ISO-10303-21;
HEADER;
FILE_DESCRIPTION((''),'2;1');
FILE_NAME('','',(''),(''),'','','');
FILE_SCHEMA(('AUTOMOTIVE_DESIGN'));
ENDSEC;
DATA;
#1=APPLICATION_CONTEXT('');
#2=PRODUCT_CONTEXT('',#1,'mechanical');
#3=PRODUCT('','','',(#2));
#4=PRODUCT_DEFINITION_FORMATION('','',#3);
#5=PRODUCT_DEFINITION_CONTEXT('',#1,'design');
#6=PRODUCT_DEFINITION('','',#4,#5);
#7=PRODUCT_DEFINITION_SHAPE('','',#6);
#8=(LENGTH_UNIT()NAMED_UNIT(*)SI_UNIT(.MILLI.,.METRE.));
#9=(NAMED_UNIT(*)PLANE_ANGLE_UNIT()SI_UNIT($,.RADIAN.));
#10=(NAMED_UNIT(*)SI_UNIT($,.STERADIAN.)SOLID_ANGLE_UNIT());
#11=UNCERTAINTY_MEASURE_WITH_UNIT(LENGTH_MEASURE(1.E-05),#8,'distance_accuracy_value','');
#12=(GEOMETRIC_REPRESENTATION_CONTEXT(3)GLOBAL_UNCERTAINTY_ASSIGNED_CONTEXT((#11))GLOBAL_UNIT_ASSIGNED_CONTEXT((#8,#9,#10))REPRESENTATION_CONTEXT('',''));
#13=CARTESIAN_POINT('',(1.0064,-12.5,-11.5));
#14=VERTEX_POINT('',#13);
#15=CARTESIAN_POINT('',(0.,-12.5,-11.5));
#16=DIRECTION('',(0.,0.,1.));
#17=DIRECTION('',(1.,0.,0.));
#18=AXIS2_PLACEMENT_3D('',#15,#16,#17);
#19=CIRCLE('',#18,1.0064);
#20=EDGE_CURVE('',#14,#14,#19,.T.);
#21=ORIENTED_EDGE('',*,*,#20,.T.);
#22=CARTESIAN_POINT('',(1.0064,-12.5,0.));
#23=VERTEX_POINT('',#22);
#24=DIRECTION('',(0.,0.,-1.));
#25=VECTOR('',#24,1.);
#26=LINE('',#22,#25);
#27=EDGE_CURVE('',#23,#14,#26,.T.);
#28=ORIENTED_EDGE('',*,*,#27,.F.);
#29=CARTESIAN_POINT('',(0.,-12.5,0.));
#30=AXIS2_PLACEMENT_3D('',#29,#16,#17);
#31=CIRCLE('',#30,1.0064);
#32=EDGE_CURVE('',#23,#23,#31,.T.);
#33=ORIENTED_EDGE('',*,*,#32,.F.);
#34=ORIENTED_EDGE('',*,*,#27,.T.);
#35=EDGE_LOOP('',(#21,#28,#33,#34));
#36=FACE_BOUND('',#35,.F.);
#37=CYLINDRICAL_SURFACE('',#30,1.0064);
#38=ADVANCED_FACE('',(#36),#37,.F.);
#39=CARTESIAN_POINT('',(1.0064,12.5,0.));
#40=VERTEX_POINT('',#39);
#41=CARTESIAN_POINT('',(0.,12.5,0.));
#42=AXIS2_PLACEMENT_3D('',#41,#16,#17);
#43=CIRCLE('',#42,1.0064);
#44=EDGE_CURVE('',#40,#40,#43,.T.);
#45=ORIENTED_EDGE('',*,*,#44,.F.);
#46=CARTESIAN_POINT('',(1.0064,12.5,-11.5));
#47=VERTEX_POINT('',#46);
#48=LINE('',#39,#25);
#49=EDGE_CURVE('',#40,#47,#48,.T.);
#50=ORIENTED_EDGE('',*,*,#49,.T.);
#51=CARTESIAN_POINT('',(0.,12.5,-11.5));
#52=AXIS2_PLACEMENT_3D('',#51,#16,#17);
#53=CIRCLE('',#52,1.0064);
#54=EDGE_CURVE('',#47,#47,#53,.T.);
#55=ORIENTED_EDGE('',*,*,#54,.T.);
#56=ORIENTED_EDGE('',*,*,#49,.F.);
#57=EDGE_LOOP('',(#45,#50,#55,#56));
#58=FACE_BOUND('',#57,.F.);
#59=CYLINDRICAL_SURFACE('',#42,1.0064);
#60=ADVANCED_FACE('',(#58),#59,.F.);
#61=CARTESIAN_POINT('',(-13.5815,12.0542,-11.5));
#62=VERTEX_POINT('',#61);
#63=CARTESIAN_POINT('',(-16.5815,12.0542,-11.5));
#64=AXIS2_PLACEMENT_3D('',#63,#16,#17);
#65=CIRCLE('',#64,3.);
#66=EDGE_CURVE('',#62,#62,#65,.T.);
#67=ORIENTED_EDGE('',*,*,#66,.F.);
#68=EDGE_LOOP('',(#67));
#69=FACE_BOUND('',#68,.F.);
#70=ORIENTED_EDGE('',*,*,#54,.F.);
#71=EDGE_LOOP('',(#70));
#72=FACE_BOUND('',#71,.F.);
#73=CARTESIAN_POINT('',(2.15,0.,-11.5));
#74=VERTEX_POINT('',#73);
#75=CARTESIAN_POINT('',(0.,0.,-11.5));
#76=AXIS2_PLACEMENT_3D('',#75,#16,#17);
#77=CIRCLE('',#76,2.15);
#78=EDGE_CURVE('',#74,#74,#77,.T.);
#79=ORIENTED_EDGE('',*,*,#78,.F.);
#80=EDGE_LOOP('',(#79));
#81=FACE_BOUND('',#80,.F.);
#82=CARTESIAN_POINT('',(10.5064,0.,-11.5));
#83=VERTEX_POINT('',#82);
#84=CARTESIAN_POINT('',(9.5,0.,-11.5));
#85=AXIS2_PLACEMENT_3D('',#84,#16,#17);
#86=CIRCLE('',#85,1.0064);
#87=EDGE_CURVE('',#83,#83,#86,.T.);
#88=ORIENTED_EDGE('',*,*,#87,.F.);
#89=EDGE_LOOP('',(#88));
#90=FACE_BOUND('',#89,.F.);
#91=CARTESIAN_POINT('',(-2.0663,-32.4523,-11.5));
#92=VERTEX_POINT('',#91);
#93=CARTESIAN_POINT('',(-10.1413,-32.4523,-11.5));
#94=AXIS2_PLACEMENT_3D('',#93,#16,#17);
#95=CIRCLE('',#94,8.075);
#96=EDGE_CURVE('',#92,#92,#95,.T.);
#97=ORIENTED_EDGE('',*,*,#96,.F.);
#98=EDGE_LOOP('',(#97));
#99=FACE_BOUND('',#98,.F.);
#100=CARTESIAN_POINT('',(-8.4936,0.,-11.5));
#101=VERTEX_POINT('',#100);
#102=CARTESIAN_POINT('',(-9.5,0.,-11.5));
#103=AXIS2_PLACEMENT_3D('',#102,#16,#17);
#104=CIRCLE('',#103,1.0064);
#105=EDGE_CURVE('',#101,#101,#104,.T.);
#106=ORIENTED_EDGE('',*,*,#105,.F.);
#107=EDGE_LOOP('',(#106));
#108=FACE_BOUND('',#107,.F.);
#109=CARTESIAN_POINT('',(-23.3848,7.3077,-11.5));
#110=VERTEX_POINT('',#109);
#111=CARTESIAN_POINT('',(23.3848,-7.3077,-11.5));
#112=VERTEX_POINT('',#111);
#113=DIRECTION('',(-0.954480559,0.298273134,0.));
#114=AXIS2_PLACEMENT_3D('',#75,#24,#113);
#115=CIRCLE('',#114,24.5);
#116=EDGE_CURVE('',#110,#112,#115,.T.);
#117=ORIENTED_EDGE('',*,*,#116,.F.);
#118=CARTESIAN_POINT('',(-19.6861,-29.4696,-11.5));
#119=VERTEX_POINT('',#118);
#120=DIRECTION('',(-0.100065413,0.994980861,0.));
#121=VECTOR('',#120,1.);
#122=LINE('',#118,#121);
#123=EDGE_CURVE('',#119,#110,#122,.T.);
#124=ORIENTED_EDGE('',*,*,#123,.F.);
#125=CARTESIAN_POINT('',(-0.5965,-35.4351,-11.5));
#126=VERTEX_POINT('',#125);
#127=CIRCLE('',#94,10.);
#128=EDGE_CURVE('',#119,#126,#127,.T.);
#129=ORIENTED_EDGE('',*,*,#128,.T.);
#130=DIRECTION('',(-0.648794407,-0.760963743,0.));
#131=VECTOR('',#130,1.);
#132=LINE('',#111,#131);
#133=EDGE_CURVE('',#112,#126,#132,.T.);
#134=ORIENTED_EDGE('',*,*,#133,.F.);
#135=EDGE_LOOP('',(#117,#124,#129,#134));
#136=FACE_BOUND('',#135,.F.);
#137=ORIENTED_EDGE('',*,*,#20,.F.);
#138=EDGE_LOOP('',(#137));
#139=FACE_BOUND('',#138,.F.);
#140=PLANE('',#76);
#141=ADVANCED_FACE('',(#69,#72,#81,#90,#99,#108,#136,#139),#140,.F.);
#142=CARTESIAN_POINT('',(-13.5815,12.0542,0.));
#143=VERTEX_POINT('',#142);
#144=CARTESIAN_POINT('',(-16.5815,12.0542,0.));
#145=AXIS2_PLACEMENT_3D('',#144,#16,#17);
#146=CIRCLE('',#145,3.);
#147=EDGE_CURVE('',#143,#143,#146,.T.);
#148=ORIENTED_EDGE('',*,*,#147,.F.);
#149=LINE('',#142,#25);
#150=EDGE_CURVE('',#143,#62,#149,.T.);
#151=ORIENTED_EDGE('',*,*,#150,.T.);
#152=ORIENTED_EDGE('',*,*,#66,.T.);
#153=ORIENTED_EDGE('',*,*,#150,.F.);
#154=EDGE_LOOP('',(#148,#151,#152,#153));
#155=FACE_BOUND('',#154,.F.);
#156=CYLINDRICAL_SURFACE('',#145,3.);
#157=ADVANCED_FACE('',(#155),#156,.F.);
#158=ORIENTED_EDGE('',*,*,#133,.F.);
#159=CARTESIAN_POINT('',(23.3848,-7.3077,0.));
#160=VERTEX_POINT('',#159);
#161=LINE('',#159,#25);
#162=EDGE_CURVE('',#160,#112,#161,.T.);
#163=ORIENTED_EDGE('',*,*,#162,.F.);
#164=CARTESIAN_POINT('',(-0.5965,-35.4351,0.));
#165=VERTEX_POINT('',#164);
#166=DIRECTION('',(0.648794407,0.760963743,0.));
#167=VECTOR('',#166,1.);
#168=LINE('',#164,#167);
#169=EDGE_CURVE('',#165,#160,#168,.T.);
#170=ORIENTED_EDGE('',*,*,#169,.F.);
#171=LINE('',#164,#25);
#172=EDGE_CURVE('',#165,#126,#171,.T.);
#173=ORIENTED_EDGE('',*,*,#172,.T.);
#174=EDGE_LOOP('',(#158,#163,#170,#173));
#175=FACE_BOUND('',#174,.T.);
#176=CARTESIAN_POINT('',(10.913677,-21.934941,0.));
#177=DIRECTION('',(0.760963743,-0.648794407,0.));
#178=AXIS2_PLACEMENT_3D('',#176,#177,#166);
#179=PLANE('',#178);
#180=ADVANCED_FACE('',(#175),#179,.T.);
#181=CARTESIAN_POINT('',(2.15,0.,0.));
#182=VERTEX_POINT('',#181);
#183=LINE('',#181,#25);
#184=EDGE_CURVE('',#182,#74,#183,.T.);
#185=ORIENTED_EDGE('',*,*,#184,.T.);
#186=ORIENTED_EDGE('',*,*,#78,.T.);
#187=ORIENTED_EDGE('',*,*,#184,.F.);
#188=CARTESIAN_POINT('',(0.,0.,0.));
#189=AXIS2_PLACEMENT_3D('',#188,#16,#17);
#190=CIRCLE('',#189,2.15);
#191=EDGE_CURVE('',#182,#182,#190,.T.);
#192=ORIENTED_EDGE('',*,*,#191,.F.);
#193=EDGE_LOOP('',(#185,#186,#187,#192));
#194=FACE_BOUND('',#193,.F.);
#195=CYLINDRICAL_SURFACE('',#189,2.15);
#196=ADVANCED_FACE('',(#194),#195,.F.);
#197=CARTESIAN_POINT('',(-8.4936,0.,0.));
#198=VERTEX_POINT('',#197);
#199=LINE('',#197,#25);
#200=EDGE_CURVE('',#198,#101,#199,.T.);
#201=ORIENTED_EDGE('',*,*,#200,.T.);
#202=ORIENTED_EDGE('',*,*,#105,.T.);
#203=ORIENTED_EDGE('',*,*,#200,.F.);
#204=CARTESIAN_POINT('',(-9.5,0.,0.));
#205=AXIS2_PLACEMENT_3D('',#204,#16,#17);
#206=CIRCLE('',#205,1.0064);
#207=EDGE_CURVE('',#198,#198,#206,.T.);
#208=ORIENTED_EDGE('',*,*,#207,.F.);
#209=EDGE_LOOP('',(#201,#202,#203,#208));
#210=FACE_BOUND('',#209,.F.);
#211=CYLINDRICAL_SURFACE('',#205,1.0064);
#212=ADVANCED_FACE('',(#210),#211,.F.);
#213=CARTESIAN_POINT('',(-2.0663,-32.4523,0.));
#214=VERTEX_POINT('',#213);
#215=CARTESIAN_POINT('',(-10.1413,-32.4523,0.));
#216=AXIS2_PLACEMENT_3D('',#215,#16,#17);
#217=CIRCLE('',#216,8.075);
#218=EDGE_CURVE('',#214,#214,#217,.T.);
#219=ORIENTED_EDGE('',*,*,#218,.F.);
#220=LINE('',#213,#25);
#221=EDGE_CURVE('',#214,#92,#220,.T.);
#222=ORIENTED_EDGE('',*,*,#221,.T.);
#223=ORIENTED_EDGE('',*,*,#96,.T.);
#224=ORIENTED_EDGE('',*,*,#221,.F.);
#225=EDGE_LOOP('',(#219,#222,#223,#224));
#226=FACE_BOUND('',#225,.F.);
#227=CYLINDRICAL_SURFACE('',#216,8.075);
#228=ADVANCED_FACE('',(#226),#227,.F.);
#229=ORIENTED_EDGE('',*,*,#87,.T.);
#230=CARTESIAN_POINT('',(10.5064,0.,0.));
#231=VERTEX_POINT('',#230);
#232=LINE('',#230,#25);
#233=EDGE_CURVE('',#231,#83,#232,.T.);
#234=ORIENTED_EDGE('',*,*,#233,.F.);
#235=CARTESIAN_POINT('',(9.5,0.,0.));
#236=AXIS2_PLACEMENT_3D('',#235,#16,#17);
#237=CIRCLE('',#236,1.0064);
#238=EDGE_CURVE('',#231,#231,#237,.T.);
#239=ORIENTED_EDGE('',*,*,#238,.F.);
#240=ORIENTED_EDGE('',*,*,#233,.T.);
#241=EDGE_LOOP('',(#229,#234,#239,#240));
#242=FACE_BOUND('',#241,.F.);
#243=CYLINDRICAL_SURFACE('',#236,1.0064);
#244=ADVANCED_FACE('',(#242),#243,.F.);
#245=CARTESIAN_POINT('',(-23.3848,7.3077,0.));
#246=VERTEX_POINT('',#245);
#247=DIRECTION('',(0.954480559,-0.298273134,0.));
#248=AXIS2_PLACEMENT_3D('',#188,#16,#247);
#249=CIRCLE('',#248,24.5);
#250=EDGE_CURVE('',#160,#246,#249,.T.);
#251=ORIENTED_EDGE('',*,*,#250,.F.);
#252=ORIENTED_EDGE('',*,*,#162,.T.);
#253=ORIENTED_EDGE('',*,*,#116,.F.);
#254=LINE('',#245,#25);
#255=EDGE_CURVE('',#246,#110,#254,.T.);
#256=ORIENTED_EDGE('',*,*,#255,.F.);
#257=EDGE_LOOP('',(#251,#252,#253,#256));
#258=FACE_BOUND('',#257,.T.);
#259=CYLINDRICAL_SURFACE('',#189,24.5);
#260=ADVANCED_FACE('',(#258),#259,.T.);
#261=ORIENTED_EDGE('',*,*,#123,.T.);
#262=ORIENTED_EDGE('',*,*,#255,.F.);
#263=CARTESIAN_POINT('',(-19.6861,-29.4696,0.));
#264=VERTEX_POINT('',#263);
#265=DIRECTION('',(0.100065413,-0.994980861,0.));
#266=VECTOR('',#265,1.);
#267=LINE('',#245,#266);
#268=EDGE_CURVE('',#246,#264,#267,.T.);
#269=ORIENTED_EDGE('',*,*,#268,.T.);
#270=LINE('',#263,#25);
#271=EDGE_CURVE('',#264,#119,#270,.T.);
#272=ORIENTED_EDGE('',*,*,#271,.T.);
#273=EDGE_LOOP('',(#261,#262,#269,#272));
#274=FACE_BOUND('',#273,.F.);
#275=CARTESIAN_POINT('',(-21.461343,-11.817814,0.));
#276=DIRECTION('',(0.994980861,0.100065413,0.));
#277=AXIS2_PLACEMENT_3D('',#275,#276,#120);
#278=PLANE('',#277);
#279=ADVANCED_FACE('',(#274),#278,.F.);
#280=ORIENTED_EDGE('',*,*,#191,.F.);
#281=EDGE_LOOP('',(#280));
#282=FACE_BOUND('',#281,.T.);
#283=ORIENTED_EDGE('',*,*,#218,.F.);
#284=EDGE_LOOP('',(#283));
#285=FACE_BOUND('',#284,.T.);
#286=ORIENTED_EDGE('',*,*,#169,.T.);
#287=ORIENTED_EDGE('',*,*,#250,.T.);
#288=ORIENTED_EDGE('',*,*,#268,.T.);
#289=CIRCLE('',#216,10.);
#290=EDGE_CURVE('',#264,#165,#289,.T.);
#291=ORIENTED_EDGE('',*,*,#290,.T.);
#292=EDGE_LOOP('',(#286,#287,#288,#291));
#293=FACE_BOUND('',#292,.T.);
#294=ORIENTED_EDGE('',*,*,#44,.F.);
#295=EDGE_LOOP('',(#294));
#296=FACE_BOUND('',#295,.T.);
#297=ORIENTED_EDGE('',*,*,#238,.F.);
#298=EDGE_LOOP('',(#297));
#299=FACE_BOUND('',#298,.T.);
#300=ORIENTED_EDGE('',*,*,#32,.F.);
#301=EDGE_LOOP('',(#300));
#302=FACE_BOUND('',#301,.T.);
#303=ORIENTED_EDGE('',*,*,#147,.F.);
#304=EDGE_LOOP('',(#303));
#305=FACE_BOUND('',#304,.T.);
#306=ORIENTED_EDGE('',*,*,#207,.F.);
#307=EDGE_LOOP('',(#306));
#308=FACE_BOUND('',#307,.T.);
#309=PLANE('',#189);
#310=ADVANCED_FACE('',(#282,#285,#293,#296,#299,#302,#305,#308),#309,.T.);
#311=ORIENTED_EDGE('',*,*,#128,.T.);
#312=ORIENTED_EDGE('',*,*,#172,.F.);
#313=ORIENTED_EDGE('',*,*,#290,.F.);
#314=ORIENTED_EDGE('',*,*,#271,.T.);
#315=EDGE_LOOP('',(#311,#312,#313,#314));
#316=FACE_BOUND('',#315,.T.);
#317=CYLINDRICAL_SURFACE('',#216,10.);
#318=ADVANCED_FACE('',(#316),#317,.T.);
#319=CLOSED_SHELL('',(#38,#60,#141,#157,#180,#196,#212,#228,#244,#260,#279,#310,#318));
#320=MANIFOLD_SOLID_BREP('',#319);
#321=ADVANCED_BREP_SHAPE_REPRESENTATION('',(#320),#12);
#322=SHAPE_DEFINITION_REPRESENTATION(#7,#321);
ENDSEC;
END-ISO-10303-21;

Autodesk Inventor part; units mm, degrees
ref_plane "YZ Plane" through (0, 0, 0) normal (1, 0, 0) x (0, 1, 0)
ref_plane "XZ Plane" through (0, 0, 0) normal (0, 1, 0) x (-1, 0, 0)
ref_plane "XY Plane" through (0, 0, 0) normal (0, 0, 1) x (1, 0, 0)
ref_plane "РабПлоскость1" through (0, 0, 0) normal (0, 0, 1) x (1, 0, 0)
sketch "Эскиз1" plane through (0, 0, 0) normal (0, 0, 1) x (1, 0, 0)
  circle A0 centre (0, 0) radius 15 projected
  circle A1 centre (-9.5, 0) radius 1.0064 projected
  circle A2 centre (0, -12.5) radius 1.0064 projected
  circle A3 centre (0, 12.5) radius 1.0064 projected
  circle A4 centre (9.5, 0) radius 1.0064 projected
  circle A5 centre (0, 0) radius 2 projected
  circle A6 centre (0, 0) radius 2.15
  circle A7 centre (-16.5815, 12.0542) radius 3
  circle A8 centre (-10.1413, -32.4523) radius 8.075
  circle A9 centre (-19.85, 6.2031) radius 2.5 construction
  circle A10 centre (-5, -16) radius 2.5 construction
  circle A11 centre (19.85, -6.2031) radius 2.5 construction
  line L0 (19.85, -6.2031) -> (-19.85, 6.2031) construction
  line L1 (-10.1413, -32.4523) -> (-5, -16) construction
  circle A12 centre (-10.1413, -32.4523) radius 4 construction
  circle A13 centre (-10.1413, -32.4523) radius 12.5 construction
  circle A14 centre (-10.1413, -32.4523) radius 10
  line L2 (-0.5965, -35.4351) -> (-19.6861, -29.4696) construction
  circle A15 centre (0, 0) radius 24.5
  circle A16 centre (-16.5815, 12.0542) radius 4 construction
  line L3 (-0.5965, -35.4351) -> (23.3848, -7.3077)
  line L4 (-19.6861, -29.4696) -> (-23.3848, 7.3077)
  point P0 (-19.6861, -29.4696)
  dimension "d9" = 20
  dimension "d0" = 4.3
  dimension "d1" = 6
  dimension "d2" = 16.15
  dimension "d3" = 5
  dimension "d4" = 5
  dimension "d5" = 5
  dimension "d6" = 8
  dimension "d7" = 25
  dimension "d8" = 34
  dimension "d10" = 8
  dimension "d11" = 49
extrude "Выдавливание1" add sketch "Эскиз1" against normal blind 11.5 contours A0 | A14 A15 | L4 A15 A14 | A14 A15 L3 | A15 L4 L3 A14 | A14 A15
properties part number "DriblerWall"
